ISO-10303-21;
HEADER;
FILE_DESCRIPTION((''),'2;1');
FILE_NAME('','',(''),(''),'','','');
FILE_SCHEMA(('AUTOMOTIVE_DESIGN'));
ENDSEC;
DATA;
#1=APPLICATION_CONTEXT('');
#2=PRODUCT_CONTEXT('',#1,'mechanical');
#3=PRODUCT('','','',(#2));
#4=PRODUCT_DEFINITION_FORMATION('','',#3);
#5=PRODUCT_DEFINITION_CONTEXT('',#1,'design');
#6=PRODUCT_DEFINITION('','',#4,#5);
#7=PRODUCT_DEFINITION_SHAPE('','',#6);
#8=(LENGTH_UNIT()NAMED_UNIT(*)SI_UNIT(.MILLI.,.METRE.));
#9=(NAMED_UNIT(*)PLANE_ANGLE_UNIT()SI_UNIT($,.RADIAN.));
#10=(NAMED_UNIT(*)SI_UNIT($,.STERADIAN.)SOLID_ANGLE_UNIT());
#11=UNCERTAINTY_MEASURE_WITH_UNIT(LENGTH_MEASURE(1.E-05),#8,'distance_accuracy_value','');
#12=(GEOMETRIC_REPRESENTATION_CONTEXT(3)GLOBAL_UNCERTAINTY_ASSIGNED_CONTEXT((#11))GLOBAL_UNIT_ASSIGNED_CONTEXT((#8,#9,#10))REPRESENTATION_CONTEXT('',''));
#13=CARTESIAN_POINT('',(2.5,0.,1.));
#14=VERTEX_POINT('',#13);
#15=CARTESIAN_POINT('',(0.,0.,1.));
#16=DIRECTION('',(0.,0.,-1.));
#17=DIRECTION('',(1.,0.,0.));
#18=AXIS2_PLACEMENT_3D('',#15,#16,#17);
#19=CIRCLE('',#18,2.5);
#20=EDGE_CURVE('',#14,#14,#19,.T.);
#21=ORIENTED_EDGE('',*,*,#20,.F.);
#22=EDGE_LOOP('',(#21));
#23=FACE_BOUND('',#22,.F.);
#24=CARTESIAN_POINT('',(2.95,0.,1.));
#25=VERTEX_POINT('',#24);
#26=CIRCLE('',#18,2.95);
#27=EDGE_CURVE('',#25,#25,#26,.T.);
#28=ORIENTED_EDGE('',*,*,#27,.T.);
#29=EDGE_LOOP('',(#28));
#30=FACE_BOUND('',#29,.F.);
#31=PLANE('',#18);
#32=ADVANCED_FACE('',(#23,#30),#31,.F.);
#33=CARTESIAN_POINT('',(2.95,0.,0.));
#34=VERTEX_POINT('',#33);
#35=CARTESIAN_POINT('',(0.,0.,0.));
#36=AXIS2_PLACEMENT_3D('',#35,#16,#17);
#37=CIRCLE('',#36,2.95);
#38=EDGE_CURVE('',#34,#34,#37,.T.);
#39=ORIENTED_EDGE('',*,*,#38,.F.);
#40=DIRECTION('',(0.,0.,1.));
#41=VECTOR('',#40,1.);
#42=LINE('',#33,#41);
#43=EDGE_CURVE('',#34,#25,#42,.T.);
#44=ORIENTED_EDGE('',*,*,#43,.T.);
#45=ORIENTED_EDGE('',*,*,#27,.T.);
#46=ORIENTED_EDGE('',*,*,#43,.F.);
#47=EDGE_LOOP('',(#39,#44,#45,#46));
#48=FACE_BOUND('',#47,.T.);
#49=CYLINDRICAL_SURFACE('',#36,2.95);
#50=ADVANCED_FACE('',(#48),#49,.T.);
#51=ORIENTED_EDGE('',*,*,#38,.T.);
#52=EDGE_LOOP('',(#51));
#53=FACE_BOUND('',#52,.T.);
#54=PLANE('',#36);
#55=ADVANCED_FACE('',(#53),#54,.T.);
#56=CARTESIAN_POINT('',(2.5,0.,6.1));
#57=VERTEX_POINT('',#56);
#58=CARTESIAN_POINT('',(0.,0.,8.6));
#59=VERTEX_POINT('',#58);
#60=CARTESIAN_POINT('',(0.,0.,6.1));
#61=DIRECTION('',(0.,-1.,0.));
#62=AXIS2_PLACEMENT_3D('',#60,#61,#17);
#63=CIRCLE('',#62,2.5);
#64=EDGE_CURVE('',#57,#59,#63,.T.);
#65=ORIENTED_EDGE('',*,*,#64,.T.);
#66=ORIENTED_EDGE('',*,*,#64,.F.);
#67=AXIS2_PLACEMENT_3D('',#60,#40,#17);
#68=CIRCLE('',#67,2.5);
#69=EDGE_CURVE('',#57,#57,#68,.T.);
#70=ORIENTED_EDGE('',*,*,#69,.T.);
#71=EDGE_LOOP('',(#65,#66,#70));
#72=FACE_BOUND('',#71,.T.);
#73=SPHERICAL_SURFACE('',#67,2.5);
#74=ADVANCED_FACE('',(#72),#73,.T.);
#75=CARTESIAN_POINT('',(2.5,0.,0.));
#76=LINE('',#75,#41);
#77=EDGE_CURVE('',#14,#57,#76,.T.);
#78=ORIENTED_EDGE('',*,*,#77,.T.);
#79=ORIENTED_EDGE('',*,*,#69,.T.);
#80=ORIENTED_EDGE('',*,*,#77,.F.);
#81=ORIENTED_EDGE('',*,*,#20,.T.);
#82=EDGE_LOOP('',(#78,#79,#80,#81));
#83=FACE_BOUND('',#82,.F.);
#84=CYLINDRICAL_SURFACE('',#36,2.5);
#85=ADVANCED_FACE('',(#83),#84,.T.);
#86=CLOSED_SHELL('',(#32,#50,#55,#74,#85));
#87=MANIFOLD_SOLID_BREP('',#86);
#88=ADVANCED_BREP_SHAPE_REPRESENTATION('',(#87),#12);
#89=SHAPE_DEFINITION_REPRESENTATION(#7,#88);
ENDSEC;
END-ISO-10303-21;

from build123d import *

# Parameters (mm, degrees)
F0_R     = 2.5
F1_DEPTH = 8.6
F2_R     = 2.5
F3_R     = 2.95
F4_DEPTH = 1


with BuildPart() as f1:
    # F0 (on Top) → F1 (new body)
    with BuildSketch(Plane.XY):
        Circle(F0_R)
    extrude(amount=F1_DEPTH)

    # F2
    f2_edges = [f1.edges().sort_by_distance(p)[0] for p in [
        (-2.5, 0, 8.6),
    ]]
    fillet(f2_edges, radius=F2_R)

    # F3 (on face) → F4 (join)
    with BuildSketch(Plane(origin=(0, 0, 0), x_dir=(1, 0, 0), z_dir=(0, 0, -1))):
        Circle(F3_R)
    extrude(amount=-F4_DEPTH)


solid = f1.part
